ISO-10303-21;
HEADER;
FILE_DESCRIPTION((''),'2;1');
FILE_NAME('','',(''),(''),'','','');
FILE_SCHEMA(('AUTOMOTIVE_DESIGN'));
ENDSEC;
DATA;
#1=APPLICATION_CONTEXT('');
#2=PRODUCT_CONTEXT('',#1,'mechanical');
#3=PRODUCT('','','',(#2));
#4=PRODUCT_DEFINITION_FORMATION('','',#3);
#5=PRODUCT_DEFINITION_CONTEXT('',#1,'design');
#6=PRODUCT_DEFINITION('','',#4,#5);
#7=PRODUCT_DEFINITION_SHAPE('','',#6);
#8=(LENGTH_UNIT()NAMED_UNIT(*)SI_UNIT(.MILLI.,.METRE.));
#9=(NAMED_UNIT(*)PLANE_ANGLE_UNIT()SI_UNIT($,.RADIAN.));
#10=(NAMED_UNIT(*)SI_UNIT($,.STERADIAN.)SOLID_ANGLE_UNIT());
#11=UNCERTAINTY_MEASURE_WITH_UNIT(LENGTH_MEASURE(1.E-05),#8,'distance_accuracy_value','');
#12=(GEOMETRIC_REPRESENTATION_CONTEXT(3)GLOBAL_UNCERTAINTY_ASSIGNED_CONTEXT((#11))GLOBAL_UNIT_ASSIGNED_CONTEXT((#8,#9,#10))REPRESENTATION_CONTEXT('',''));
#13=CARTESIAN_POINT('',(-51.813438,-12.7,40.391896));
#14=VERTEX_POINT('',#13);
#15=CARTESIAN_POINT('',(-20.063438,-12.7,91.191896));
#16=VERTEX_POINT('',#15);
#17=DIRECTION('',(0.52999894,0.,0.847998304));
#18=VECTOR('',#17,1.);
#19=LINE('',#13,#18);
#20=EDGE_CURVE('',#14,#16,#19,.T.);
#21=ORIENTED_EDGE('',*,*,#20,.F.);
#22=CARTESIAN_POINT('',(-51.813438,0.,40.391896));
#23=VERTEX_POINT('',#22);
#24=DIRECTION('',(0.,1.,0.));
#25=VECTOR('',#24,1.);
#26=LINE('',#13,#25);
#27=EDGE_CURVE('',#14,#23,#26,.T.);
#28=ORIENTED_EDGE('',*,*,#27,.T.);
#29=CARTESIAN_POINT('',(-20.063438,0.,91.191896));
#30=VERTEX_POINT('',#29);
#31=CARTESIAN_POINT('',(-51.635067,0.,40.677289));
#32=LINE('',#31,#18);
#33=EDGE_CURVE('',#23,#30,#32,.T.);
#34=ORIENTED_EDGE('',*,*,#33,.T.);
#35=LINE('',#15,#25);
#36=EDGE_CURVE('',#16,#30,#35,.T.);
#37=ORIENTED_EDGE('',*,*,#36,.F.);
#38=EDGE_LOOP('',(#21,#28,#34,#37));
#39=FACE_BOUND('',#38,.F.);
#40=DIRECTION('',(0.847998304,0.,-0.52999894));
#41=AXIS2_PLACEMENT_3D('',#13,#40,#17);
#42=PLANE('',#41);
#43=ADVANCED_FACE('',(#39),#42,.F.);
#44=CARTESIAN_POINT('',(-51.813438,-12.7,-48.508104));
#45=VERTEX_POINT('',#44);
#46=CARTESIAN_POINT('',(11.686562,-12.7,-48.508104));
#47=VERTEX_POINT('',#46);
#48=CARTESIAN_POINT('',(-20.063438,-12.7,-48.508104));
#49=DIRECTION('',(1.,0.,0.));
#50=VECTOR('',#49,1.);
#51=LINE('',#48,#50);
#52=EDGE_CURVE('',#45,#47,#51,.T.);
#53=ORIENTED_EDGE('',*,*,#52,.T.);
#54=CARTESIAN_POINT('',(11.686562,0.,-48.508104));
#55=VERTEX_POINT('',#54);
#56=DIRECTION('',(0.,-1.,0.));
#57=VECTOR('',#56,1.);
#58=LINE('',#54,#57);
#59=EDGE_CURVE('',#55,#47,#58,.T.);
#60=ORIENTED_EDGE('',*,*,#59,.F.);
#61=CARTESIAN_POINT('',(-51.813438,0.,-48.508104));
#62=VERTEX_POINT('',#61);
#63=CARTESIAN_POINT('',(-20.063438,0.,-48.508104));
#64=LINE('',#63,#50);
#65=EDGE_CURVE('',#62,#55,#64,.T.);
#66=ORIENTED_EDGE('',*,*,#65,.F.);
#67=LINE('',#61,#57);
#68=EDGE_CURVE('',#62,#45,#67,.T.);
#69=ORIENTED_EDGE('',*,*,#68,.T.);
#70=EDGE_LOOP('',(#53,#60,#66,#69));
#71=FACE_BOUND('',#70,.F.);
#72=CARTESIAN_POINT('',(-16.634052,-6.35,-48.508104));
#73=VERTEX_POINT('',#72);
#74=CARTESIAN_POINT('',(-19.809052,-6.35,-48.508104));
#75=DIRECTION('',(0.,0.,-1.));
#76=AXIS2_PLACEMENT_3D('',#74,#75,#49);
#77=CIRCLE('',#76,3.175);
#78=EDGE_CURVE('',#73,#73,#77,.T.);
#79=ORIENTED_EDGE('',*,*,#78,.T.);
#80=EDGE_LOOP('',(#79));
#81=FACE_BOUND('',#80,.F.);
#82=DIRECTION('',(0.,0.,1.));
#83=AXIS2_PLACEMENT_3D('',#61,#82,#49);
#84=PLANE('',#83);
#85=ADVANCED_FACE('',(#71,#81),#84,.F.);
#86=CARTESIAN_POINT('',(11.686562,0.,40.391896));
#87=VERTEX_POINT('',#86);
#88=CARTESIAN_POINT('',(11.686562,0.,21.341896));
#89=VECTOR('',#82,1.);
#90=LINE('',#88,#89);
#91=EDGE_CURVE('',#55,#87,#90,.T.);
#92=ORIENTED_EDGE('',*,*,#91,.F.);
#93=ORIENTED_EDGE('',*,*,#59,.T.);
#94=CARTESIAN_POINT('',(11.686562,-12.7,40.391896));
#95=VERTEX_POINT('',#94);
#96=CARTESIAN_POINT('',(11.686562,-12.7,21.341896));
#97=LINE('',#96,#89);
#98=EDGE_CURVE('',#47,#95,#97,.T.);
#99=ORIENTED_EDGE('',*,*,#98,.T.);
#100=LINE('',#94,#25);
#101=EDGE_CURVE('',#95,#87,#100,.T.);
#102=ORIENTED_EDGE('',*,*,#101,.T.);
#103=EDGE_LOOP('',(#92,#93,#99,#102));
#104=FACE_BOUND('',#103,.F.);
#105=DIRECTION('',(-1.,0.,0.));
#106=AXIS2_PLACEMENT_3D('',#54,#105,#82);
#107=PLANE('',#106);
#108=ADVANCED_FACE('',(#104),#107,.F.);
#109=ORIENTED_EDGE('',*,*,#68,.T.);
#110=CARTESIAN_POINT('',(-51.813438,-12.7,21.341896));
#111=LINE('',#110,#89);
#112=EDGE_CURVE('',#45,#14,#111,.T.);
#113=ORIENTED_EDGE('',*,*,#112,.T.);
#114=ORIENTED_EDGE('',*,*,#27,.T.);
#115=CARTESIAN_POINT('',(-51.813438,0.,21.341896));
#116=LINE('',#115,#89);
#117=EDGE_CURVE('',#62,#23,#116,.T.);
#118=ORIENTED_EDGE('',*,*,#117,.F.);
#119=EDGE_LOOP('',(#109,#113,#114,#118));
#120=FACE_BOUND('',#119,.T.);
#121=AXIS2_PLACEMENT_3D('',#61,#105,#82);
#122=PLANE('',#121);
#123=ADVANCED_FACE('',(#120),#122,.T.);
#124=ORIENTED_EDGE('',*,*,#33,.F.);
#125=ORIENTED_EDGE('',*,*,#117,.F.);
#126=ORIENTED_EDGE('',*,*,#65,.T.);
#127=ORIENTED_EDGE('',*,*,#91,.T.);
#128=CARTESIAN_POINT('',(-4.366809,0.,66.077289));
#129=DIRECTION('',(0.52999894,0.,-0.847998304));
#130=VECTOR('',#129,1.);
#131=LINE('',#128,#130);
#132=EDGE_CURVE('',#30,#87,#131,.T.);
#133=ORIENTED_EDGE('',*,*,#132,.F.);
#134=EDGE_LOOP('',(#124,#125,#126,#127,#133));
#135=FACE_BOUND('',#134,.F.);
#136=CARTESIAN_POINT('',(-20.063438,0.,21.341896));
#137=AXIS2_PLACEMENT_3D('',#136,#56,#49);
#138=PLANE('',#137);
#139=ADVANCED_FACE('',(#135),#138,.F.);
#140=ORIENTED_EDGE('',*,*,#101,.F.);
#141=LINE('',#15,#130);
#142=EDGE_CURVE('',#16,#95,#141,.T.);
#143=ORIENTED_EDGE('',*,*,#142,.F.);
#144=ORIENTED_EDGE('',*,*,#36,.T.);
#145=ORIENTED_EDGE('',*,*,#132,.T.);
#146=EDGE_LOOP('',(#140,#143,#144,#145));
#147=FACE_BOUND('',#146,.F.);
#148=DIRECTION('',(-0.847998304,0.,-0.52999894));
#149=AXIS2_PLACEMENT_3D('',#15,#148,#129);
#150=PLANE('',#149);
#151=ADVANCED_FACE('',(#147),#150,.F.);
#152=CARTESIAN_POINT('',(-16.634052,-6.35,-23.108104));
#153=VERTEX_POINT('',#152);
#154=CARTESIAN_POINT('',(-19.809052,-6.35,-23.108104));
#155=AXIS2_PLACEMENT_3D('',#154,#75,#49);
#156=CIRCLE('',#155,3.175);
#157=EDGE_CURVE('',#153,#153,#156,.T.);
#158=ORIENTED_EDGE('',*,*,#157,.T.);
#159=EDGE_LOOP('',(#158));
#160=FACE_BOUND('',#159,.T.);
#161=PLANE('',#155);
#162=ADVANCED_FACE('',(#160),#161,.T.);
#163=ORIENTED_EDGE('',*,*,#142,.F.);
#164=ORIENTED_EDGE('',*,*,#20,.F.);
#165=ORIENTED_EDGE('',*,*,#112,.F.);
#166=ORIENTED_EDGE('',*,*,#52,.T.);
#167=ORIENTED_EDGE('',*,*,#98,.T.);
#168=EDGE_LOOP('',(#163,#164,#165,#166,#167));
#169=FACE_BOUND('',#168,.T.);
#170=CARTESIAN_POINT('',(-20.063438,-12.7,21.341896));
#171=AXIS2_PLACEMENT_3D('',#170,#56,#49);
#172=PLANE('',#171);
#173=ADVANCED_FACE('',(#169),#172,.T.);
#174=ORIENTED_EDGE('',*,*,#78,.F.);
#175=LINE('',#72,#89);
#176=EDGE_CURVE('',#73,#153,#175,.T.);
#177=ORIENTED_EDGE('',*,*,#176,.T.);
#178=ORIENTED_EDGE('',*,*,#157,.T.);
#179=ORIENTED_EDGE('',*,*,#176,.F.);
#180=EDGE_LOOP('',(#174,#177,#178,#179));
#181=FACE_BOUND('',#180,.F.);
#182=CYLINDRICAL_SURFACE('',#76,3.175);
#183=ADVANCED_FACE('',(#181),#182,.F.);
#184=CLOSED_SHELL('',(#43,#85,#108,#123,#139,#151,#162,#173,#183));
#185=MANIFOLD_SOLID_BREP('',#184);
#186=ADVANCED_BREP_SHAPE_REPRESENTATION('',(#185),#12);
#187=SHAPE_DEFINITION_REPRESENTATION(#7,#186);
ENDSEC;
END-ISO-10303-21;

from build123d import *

# Parameters (mm, degrees)
F0_W     = 63.5
F0_H     = 139.7
F1_DEPTH = 12.7
F3_DEPTH = 25.4
F4_R     = 3.175
F5_DEPTH = 25.4


with BuildPart() as f1:
    # F0 (on Front) → F1 (new body)
    with BuildSketch(Plane.XZ):
        with Locations((-20.063438, 21.341896)):
            Rectangle(F0_W, F0_H)
    extrude(amount=F1_DEPTH)

    # F2 (on face) → F3 (cut)
    with BuildSketch(Plane.XZ.offset(12.7)):
        Polygon((-51.813438, 40.391896), (-20.063438, 91.191896), (-51.813438, 91.191896), align=None)
        Polygon((11.686562, 91.191896), (-20.063438, 91.191896), (11.686562, 40.391896), align=None)
    extrude(amount=-F3_DEPTH, mode=Mode.SUBTRACT)

    # F4 (on face) → F5 (cut)
    with BuildSketch(Plane(origin=(0, 0, -48.508104), x_dir=(1, 0, 0), z_dir=(0, 0, -1))):
        with Locations((-19.809052, 6.35)):
            Circle(F4_R)
    extrude(amount=-F5_DEPTH, mode=Mode.SUBTRACT)


solid = f1.part
